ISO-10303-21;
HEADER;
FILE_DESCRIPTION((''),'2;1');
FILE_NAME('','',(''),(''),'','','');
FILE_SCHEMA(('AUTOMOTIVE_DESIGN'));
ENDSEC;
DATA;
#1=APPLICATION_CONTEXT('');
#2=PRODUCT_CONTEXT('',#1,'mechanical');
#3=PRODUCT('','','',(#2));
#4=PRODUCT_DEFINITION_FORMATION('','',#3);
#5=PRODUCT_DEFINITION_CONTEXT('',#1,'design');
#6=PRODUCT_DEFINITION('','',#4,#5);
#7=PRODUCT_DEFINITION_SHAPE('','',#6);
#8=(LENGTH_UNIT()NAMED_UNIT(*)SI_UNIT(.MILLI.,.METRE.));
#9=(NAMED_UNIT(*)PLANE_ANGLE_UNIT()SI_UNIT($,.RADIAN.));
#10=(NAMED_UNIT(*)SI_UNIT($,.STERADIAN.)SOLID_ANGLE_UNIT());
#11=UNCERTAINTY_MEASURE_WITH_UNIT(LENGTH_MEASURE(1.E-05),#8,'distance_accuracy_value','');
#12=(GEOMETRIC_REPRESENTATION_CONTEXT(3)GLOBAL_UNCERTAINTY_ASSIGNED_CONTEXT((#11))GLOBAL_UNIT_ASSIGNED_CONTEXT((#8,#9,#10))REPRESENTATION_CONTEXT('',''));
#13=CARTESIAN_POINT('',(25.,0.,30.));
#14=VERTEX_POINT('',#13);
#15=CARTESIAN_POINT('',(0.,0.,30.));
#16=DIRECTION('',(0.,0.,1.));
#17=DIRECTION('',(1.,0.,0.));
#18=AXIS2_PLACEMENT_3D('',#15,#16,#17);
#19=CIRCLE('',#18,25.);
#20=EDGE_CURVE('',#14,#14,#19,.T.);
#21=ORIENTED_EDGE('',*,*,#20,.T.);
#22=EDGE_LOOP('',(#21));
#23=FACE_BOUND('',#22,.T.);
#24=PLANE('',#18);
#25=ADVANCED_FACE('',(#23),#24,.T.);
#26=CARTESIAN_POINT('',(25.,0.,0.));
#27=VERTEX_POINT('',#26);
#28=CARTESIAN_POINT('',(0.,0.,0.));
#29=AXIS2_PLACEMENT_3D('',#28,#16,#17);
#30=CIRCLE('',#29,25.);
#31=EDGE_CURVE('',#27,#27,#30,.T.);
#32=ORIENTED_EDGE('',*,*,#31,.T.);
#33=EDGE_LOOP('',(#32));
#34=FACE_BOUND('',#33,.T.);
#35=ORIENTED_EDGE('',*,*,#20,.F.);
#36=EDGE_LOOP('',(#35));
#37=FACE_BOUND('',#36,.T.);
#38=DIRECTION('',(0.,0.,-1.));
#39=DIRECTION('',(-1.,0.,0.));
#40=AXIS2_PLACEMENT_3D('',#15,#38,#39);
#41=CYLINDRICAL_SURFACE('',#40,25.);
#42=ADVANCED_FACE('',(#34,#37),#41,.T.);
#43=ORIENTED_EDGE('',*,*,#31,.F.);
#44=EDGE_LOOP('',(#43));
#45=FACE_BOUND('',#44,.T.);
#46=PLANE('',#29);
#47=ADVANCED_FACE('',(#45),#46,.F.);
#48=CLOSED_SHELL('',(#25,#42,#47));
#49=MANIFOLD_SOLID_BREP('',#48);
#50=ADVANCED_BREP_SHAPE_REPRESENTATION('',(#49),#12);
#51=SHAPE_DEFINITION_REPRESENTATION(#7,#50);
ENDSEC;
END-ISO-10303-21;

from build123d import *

# Parameters (mm, degrees)
SCHIZZO1_R                   = 25
ESTRUSIONE_ESTRUSIONE1_DEPTH = 30


with BuildPart() as part:
    # Schizzo1 → Estrusione-Estrusione1 (new body)
    with BuildSketch(Plane.XY):
        Circle(SCHIZZO1_R)
    extrude(amount=ESTRUSIONE_ESTRUSIONE1_DEPTH)


solid = part.part
